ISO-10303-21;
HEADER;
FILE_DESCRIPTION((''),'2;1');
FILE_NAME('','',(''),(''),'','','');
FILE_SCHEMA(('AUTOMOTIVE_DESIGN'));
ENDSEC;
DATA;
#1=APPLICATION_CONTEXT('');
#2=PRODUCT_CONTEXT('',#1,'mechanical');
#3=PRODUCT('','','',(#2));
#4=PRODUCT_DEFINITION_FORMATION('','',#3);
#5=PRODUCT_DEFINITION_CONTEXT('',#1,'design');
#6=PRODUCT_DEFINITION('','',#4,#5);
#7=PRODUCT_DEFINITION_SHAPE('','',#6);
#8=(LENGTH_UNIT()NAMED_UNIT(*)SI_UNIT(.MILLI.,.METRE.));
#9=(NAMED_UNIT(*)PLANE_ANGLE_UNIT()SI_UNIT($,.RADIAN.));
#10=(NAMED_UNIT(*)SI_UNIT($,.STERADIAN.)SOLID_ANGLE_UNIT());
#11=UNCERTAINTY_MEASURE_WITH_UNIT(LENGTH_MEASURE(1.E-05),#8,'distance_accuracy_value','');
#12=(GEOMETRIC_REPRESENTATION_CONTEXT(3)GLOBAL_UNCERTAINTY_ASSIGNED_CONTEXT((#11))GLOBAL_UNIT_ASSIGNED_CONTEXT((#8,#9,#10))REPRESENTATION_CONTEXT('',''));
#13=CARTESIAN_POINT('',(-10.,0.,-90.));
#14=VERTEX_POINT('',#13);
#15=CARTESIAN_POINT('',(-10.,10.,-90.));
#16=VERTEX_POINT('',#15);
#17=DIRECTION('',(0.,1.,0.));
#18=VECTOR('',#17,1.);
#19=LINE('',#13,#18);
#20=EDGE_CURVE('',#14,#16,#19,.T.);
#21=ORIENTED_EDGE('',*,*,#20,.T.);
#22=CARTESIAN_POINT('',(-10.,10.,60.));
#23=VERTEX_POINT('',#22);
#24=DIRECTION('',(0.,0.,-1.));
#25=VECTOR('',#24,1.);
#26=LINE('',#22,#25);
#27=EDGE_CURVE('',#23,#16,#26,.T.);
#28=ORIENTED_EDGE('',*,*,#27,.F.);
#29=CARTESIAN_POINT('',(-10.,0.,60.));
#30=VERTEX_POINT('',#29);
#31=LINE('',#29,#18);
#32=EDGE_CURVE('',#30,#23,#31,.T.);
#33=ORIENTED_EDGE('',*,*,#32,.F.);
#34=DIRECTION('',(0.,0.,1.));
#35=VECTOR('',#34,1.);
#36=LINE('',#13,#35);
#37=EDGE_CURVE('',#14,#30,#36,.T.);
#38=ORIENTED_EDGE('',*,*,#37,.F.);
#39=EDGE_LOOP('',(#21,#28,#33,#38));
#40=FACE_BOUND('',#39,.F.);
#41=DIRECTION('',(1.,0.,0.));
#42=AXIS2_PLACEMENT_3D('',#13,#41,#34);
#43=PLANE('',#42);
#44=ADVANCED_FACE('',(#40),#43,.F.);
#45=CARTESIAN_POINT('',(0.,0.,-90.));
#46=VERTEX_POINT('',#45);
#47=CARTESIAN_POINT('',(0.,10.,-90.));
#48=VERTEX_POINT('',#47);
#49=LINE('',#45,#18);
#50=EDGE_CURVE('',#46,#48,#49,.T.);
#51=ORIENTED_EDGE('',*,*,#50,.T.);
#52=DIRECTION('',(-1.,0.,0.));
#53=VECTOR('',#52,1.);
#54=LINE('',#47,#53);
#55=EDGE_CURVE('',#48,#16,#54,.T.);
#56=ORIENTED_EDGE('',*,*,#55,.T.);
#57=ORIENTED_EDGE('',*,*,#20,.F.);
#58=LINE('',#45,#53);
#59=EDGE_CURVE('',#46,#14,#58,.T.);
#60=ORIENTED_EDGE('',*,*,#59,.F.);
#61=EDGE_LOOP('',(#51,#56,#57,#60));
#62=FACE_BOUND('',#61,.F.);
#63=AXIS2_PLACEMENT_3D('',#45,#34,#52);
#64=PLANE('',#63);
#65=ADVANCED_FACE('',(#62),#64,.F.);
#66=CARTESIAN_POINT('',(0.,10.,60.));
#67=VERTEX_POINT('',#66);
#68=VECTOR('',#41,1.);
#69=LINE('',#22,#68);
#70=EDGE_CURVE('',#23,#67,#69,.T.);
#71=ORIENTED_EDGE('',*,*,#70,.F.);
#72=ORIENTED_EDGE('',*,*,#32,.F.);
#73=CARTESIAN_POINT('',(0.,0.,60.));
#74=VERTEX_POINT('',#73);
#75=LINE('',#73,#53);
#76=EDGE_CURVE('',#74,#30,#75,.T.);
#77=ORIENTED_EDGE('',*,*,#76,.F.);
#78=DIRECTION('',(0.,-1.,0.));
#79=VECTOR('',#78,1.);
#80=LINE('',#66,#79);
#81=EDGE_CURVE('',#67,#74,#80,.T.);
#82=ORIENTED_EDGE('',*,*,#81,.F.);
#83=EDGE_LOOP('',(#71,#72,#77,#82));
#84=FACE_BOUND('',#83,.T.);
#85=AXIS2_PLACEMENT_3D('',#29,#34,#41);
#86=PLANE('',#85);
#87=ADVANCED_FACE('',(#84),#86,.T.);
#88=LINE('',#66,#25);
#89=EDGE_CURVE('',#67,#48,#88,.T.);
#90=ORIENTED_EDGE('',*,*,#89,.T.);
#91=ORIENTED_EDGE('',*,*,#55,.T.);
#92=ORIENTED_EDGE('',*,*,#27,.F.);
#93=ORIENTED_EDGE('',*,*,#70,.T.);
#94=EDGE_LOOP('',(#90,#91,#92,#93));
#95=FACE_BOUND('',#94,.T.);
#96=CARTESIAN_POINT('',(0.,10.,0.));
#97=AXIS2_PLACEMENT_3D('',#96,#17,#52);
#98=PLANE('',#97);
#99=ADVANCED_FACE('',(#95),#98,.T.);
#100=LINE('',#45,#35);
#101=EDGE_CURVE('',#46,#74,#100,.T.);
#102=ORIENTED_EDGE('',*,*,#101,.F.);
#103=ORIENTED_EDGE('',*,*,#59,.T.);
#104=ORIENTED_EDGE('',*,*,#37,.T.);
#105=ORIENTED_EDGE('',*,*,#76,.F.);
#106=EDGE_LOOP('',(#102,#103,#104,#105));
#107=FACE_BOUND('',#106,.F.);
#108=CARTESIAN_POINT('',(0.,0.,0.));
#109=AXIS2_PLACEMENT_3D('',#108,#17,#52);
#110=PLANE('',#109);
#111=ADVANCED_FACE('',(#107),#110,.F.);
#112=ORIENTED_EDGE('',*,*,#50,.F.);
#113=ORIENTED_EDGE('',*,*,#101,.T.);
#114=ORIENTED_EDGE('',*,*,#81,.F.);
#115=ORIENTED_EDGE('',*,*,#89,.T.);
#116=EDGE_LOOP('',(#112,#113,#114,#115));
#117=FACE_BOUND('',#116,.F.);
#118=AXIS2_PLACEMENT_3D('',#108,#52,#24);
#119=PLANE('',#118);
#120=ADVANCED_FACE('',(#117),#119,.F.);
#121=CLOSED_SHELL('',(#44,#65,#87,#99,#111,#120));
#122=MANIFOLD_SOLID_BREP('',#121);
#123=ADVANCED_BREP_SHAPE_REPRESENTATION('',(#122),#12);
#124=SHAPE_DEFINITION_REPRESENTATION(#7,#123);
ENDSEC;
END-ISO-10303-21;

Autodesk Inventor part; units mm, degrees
ref_plane "YZ Plane" through (0, 0, 0) normal (1, 0, 0) x (0, 1, 0)
ref_plane "XZ Plane" through (0, 0, 0) normal (0, 1, 0) x (-1, 0, 0)
ref_plane "XY Plane" through (0, 0, 0) normal (0, 0, 1) x (1, 0, 0)
sketch "Sketch1" plane through (0, 0, 0) normal (0, 1, 0) x (-1, 0, 0)
  line L0 (0, 0) -> (0, -90)
  line L1 (0, -90) -> (10, -90)
  line L2 (10, -90) -> (10, 0)
  line L3 (10, 0) -> (0, 0)
  dimension "d0" = 90
  dimension "d1" = 10
extrude "Extrusion1" add sketch "Sketch1" along normal blind 10
sketch "Sketch2" plane through (-10, 0, 0) normal (0, 0, 1) x (1, 0, 0)
  line L0 (0, 0) -> (0, 10) projected
  line L1 (0, 10) -> (10, 10)
  line L2 (10, 10) -> (10, 0)
  line L3 (10, 0) -> (0, 0)
  line L4 (0, 0) -> (0, 10)
extrude "Extrusion2" add sketch "Sketch2" along normal blind 60
sketch "Sketch3" plane through (-10, 0, 60) normal (0, 0, 1) x (1, 0, 0)
  point P0 (10, 0)
properties part number "Arm_Pole"
